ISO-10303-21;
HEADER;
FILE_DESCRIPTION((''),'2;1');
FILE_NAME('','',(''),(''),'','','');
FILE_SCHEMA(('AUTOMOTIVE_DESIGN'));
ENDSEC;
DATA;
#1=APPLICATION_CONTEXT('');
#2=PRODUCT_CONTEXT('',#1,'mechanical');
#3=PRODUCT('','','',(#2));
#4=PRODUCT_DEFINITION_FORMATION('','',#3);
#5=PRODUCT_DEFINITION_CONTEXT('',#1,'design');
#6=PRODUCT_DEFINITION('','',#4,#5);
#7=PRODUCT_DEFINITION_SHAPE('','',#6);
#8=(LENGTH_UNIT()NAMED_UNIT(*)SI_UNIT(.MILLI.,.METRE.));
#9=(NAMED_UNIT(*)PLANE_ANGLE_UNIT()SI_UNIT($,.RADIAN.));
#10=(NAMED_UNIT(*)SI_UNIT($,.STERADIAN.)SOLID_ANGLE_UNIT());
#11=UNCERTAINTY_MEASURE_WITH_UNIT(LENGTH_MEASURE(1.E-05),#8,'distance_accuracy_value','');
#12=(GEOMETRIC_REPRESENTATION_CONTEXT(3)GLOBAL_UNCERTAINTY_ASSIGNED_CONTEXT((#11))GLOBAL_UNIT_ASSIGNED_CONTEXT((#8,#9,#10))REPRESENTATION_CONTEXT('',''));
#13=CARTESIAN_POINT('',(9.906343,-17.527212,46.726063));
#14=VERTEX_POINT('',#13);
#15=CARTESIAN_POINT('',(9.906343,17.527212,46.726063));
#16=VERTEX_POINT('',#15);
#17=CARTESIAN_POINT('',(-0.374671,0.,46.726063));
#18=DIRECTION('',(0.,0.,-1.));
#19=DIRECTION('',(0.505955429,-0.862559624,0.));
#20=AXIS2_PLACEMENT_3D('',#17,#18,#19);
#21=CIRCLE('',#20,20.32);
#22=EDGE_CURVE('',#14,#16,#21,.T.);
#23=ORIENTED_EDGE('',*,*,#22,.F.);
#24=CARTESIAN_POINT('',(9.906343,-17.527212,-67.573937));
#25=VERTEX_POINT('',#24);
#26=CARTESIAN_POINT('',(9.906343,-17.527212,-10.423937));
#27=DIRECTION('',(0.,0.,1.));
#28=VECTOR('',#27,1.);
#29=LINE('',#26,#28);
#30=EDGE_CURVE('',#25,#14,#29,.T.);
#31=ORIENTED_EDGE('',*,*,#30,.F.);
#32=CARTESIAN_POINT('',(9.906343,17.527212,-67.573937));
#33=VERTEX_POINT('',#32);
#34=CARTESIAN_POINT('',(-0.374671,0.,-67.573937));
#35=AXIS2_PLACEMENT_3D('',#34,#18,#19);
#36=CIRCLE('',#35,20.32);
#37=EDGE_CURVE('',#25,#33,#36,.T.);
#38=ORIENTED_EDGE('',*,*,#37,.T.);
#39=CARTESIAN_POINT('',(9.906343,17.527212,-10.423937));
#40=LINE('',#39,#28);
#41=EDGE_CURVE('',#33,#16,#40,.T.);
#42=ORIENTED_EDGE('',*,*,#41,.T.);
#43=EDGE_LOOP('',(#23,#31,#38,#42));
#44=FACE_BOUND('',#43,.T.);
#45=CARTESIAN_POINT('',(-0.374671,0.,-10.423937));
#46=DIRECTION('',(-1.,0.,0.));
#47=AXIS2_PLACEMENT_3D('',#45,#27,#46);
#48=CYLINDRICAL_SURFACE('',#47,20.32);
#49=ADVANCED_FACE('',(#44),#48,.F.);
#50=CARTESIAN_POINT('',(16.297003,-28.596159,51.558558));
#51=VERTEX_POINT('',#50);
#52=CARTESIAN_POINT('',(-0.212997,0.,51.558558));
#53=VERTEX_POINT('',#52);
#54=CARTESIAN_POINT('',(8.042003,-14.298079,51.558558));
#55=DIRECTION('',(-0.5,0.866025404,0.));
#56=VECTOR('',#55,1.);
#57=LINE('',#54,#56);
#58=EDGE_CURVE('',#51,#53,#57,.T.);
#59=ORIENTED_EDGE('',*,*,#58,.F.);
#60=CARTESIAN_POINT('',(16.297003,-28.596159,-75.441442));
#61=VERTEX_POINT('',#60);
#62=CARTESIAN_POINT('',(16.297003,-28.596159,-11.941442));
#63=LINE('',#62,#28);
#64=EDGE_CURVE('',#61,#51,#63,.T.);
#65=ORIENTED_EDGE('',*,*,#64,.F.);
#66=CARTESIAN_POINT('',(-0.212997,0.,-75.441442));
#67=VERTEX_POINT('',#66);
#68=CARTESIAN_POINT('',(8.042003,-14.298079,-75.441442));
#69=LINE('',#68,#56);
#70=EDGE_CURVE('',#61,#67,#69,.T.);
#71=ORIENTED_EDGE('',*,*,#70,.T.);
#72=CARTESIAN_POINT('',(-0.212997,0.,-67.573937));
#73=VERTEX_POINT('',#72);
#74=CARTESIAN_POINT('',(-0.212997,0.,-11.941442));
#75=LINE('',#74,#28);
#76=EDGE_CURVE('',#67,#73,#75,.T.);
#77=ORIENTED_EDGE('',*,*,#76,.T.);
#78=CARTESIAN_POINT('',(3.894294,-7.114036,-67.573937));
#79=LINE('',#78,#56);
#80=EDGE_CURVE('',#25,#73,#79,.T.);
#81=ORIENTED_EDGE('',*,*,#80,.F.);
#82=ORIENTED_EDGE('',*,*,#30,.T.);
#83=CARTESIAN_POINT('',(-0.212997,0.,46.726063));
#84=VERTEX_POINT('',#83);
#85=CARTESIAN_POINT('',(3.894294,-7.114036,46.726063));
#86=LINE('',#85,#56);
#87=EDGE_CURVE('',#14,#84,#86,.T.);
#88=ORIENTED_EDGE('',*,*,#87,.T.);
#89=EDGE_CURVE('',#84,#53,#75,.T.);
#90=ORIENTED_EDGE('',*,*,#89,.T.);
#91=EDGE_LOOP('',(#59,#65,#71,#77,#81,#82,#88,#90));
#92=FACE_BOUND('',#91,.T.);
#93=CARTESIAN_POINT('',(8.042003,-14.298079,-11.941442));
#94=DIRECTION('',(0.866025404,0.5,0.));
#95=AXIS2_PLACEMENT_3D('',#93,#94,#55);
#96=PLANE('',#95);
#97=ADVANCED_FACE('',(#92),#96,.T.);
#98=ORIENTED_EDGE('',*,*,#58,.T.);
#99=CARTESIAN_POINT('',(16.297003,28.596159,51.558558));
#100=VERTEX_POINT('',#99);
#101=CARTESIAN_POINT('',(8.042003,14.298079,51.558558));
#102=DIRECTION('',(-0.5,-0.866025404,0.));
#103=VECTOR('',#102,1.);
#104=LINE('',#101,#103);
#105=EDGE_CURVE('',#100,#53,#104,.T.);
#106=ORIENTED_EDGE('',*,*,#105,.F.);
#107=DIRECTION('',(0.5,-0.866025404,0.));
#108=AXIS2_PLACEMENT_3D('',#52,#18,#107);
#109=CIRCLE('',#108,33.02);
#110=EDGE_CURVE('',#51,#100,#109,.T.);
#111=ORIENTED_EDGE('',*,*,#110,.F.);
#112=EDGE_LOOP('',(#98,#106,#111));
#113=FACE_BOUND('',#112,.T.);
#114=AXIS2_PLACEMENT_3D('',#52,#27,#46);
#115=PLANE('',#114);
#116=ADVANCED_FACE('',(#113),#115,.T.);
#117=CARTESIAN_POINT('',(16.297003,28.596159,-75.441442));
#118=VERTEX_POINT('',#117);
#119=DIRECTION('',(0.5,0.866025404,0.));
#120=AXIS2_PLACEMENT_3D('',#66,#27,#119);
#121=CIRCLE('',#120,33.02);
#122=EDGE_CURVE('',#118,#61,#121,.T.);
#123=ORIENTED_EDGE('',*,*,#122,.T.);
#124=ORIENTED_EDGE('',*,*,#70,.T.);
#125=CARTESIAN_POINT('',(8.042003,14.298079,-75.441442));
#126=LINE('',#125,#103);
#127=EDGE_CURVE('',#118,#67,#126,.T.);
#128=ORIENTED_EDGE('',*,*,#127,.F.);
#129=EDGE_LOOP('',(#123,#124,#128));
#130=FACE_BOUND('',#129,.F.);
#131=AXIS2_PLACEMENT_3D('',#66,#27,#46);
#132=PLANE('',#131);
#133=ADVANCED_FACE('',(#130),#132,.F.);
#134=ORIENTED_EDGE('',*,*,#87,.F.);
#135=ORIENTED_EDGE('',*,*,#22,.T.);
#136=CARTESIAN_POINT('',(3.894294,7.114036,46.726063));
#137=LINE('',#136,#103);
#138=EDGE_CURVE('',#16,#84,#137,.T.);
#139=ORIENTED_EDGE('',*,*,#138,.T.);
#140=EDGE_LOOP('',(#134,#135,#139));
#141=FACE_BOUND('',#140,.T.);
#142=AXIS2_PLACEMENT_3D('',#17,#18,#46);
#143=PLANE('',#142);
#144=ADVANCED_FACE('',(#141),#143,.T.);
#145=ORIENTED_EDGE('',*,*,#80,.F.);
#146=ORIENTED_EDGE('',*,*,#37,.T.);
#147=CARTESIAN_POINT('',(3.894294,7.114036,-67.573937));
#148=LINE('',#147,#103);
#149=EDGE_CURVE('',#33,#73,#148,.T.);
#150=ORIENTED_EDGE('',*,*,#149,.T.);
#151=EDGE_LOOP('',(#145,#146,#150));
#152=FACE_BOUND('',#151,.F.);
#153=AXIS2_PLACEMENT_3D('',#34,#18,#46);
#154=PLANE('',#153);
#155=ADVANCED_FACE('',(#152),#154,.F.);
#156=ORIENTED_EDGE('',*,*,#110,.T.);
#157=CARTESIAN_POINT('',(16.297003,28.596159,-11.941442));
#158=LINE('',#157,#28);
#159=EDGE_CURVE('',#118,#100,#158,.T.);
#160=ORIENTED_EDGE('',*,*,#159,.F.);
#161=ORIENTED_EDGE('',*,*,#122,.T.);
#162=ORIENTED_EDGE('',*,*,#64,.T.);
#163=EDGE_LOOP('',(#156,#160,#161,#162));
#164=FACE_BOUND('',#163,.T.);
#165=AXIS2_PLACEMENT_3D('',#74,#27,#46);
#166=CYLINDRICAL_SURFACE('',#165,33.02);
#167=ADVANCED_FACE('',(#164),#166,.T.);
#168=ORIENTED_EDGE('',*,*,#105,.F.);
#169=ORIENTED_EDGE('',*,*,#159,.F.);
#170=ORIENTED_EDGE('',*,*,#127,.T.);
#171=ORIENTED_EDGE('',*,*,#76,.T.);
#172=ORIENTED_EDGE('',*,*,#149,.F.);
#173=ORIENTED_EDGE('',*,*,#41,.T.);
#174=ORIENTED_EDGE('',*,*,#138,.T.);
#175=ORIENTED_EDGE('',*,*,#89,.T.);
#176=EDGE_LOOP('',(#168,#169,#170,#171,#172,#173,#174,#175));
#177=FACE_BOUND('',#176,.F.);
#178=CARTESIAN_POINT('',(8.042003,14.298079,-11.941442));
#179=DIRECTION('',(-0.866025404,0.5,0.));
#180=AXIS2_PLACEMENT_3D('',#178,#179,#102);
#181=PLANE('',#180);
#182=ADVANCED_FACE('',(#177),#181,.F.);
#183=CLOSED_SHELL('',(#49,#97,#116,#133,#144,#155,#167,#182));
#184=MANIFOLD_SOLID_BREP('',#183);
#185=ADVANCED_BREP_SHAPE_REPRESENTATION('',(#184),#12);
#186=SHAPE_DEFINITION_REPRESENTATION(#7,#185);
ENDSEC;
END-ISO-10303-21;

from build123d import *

# Parameters (mm, degrees)
F0_W     = 33.02
F0_H     = 127
F1_ANGLE = 240
F2_W     = 20.32
F2_H     = 114.3


with BuildPart() as f1:
    # F0 (on Front) → F1 (revolve, symmetric)
    with BuildSketch(Plane.XZ) as f1_sk:
        with Locations((-16.722997, -11.941442)):
            Rectangle(F0_W, F0_H)
    revolve(axis=Axis((-0.212997, 0, -11.941442), (0, 0, -1)), revolution_arc=F1_ANGLE / 2)
    revolve(f1_sk.sketch, axis=Axis((-0.212997, 0, -11.941442), (0, 0, 1)), revolution_arc=F1_ANGLE / 2)

    # F2 (on Front) → F3 (revolve, cut)
    with BuildSketch(Plane.XZ):
        with Locations((-10.534671, -10.423937)):
            Rectangle(F2_W, F2_H)
    revolve(axis=Axis((-0.374671, 0, -10.423937), (0, 0, -1)), mode=Mode.SUBTRACT)


solid = f1.part
